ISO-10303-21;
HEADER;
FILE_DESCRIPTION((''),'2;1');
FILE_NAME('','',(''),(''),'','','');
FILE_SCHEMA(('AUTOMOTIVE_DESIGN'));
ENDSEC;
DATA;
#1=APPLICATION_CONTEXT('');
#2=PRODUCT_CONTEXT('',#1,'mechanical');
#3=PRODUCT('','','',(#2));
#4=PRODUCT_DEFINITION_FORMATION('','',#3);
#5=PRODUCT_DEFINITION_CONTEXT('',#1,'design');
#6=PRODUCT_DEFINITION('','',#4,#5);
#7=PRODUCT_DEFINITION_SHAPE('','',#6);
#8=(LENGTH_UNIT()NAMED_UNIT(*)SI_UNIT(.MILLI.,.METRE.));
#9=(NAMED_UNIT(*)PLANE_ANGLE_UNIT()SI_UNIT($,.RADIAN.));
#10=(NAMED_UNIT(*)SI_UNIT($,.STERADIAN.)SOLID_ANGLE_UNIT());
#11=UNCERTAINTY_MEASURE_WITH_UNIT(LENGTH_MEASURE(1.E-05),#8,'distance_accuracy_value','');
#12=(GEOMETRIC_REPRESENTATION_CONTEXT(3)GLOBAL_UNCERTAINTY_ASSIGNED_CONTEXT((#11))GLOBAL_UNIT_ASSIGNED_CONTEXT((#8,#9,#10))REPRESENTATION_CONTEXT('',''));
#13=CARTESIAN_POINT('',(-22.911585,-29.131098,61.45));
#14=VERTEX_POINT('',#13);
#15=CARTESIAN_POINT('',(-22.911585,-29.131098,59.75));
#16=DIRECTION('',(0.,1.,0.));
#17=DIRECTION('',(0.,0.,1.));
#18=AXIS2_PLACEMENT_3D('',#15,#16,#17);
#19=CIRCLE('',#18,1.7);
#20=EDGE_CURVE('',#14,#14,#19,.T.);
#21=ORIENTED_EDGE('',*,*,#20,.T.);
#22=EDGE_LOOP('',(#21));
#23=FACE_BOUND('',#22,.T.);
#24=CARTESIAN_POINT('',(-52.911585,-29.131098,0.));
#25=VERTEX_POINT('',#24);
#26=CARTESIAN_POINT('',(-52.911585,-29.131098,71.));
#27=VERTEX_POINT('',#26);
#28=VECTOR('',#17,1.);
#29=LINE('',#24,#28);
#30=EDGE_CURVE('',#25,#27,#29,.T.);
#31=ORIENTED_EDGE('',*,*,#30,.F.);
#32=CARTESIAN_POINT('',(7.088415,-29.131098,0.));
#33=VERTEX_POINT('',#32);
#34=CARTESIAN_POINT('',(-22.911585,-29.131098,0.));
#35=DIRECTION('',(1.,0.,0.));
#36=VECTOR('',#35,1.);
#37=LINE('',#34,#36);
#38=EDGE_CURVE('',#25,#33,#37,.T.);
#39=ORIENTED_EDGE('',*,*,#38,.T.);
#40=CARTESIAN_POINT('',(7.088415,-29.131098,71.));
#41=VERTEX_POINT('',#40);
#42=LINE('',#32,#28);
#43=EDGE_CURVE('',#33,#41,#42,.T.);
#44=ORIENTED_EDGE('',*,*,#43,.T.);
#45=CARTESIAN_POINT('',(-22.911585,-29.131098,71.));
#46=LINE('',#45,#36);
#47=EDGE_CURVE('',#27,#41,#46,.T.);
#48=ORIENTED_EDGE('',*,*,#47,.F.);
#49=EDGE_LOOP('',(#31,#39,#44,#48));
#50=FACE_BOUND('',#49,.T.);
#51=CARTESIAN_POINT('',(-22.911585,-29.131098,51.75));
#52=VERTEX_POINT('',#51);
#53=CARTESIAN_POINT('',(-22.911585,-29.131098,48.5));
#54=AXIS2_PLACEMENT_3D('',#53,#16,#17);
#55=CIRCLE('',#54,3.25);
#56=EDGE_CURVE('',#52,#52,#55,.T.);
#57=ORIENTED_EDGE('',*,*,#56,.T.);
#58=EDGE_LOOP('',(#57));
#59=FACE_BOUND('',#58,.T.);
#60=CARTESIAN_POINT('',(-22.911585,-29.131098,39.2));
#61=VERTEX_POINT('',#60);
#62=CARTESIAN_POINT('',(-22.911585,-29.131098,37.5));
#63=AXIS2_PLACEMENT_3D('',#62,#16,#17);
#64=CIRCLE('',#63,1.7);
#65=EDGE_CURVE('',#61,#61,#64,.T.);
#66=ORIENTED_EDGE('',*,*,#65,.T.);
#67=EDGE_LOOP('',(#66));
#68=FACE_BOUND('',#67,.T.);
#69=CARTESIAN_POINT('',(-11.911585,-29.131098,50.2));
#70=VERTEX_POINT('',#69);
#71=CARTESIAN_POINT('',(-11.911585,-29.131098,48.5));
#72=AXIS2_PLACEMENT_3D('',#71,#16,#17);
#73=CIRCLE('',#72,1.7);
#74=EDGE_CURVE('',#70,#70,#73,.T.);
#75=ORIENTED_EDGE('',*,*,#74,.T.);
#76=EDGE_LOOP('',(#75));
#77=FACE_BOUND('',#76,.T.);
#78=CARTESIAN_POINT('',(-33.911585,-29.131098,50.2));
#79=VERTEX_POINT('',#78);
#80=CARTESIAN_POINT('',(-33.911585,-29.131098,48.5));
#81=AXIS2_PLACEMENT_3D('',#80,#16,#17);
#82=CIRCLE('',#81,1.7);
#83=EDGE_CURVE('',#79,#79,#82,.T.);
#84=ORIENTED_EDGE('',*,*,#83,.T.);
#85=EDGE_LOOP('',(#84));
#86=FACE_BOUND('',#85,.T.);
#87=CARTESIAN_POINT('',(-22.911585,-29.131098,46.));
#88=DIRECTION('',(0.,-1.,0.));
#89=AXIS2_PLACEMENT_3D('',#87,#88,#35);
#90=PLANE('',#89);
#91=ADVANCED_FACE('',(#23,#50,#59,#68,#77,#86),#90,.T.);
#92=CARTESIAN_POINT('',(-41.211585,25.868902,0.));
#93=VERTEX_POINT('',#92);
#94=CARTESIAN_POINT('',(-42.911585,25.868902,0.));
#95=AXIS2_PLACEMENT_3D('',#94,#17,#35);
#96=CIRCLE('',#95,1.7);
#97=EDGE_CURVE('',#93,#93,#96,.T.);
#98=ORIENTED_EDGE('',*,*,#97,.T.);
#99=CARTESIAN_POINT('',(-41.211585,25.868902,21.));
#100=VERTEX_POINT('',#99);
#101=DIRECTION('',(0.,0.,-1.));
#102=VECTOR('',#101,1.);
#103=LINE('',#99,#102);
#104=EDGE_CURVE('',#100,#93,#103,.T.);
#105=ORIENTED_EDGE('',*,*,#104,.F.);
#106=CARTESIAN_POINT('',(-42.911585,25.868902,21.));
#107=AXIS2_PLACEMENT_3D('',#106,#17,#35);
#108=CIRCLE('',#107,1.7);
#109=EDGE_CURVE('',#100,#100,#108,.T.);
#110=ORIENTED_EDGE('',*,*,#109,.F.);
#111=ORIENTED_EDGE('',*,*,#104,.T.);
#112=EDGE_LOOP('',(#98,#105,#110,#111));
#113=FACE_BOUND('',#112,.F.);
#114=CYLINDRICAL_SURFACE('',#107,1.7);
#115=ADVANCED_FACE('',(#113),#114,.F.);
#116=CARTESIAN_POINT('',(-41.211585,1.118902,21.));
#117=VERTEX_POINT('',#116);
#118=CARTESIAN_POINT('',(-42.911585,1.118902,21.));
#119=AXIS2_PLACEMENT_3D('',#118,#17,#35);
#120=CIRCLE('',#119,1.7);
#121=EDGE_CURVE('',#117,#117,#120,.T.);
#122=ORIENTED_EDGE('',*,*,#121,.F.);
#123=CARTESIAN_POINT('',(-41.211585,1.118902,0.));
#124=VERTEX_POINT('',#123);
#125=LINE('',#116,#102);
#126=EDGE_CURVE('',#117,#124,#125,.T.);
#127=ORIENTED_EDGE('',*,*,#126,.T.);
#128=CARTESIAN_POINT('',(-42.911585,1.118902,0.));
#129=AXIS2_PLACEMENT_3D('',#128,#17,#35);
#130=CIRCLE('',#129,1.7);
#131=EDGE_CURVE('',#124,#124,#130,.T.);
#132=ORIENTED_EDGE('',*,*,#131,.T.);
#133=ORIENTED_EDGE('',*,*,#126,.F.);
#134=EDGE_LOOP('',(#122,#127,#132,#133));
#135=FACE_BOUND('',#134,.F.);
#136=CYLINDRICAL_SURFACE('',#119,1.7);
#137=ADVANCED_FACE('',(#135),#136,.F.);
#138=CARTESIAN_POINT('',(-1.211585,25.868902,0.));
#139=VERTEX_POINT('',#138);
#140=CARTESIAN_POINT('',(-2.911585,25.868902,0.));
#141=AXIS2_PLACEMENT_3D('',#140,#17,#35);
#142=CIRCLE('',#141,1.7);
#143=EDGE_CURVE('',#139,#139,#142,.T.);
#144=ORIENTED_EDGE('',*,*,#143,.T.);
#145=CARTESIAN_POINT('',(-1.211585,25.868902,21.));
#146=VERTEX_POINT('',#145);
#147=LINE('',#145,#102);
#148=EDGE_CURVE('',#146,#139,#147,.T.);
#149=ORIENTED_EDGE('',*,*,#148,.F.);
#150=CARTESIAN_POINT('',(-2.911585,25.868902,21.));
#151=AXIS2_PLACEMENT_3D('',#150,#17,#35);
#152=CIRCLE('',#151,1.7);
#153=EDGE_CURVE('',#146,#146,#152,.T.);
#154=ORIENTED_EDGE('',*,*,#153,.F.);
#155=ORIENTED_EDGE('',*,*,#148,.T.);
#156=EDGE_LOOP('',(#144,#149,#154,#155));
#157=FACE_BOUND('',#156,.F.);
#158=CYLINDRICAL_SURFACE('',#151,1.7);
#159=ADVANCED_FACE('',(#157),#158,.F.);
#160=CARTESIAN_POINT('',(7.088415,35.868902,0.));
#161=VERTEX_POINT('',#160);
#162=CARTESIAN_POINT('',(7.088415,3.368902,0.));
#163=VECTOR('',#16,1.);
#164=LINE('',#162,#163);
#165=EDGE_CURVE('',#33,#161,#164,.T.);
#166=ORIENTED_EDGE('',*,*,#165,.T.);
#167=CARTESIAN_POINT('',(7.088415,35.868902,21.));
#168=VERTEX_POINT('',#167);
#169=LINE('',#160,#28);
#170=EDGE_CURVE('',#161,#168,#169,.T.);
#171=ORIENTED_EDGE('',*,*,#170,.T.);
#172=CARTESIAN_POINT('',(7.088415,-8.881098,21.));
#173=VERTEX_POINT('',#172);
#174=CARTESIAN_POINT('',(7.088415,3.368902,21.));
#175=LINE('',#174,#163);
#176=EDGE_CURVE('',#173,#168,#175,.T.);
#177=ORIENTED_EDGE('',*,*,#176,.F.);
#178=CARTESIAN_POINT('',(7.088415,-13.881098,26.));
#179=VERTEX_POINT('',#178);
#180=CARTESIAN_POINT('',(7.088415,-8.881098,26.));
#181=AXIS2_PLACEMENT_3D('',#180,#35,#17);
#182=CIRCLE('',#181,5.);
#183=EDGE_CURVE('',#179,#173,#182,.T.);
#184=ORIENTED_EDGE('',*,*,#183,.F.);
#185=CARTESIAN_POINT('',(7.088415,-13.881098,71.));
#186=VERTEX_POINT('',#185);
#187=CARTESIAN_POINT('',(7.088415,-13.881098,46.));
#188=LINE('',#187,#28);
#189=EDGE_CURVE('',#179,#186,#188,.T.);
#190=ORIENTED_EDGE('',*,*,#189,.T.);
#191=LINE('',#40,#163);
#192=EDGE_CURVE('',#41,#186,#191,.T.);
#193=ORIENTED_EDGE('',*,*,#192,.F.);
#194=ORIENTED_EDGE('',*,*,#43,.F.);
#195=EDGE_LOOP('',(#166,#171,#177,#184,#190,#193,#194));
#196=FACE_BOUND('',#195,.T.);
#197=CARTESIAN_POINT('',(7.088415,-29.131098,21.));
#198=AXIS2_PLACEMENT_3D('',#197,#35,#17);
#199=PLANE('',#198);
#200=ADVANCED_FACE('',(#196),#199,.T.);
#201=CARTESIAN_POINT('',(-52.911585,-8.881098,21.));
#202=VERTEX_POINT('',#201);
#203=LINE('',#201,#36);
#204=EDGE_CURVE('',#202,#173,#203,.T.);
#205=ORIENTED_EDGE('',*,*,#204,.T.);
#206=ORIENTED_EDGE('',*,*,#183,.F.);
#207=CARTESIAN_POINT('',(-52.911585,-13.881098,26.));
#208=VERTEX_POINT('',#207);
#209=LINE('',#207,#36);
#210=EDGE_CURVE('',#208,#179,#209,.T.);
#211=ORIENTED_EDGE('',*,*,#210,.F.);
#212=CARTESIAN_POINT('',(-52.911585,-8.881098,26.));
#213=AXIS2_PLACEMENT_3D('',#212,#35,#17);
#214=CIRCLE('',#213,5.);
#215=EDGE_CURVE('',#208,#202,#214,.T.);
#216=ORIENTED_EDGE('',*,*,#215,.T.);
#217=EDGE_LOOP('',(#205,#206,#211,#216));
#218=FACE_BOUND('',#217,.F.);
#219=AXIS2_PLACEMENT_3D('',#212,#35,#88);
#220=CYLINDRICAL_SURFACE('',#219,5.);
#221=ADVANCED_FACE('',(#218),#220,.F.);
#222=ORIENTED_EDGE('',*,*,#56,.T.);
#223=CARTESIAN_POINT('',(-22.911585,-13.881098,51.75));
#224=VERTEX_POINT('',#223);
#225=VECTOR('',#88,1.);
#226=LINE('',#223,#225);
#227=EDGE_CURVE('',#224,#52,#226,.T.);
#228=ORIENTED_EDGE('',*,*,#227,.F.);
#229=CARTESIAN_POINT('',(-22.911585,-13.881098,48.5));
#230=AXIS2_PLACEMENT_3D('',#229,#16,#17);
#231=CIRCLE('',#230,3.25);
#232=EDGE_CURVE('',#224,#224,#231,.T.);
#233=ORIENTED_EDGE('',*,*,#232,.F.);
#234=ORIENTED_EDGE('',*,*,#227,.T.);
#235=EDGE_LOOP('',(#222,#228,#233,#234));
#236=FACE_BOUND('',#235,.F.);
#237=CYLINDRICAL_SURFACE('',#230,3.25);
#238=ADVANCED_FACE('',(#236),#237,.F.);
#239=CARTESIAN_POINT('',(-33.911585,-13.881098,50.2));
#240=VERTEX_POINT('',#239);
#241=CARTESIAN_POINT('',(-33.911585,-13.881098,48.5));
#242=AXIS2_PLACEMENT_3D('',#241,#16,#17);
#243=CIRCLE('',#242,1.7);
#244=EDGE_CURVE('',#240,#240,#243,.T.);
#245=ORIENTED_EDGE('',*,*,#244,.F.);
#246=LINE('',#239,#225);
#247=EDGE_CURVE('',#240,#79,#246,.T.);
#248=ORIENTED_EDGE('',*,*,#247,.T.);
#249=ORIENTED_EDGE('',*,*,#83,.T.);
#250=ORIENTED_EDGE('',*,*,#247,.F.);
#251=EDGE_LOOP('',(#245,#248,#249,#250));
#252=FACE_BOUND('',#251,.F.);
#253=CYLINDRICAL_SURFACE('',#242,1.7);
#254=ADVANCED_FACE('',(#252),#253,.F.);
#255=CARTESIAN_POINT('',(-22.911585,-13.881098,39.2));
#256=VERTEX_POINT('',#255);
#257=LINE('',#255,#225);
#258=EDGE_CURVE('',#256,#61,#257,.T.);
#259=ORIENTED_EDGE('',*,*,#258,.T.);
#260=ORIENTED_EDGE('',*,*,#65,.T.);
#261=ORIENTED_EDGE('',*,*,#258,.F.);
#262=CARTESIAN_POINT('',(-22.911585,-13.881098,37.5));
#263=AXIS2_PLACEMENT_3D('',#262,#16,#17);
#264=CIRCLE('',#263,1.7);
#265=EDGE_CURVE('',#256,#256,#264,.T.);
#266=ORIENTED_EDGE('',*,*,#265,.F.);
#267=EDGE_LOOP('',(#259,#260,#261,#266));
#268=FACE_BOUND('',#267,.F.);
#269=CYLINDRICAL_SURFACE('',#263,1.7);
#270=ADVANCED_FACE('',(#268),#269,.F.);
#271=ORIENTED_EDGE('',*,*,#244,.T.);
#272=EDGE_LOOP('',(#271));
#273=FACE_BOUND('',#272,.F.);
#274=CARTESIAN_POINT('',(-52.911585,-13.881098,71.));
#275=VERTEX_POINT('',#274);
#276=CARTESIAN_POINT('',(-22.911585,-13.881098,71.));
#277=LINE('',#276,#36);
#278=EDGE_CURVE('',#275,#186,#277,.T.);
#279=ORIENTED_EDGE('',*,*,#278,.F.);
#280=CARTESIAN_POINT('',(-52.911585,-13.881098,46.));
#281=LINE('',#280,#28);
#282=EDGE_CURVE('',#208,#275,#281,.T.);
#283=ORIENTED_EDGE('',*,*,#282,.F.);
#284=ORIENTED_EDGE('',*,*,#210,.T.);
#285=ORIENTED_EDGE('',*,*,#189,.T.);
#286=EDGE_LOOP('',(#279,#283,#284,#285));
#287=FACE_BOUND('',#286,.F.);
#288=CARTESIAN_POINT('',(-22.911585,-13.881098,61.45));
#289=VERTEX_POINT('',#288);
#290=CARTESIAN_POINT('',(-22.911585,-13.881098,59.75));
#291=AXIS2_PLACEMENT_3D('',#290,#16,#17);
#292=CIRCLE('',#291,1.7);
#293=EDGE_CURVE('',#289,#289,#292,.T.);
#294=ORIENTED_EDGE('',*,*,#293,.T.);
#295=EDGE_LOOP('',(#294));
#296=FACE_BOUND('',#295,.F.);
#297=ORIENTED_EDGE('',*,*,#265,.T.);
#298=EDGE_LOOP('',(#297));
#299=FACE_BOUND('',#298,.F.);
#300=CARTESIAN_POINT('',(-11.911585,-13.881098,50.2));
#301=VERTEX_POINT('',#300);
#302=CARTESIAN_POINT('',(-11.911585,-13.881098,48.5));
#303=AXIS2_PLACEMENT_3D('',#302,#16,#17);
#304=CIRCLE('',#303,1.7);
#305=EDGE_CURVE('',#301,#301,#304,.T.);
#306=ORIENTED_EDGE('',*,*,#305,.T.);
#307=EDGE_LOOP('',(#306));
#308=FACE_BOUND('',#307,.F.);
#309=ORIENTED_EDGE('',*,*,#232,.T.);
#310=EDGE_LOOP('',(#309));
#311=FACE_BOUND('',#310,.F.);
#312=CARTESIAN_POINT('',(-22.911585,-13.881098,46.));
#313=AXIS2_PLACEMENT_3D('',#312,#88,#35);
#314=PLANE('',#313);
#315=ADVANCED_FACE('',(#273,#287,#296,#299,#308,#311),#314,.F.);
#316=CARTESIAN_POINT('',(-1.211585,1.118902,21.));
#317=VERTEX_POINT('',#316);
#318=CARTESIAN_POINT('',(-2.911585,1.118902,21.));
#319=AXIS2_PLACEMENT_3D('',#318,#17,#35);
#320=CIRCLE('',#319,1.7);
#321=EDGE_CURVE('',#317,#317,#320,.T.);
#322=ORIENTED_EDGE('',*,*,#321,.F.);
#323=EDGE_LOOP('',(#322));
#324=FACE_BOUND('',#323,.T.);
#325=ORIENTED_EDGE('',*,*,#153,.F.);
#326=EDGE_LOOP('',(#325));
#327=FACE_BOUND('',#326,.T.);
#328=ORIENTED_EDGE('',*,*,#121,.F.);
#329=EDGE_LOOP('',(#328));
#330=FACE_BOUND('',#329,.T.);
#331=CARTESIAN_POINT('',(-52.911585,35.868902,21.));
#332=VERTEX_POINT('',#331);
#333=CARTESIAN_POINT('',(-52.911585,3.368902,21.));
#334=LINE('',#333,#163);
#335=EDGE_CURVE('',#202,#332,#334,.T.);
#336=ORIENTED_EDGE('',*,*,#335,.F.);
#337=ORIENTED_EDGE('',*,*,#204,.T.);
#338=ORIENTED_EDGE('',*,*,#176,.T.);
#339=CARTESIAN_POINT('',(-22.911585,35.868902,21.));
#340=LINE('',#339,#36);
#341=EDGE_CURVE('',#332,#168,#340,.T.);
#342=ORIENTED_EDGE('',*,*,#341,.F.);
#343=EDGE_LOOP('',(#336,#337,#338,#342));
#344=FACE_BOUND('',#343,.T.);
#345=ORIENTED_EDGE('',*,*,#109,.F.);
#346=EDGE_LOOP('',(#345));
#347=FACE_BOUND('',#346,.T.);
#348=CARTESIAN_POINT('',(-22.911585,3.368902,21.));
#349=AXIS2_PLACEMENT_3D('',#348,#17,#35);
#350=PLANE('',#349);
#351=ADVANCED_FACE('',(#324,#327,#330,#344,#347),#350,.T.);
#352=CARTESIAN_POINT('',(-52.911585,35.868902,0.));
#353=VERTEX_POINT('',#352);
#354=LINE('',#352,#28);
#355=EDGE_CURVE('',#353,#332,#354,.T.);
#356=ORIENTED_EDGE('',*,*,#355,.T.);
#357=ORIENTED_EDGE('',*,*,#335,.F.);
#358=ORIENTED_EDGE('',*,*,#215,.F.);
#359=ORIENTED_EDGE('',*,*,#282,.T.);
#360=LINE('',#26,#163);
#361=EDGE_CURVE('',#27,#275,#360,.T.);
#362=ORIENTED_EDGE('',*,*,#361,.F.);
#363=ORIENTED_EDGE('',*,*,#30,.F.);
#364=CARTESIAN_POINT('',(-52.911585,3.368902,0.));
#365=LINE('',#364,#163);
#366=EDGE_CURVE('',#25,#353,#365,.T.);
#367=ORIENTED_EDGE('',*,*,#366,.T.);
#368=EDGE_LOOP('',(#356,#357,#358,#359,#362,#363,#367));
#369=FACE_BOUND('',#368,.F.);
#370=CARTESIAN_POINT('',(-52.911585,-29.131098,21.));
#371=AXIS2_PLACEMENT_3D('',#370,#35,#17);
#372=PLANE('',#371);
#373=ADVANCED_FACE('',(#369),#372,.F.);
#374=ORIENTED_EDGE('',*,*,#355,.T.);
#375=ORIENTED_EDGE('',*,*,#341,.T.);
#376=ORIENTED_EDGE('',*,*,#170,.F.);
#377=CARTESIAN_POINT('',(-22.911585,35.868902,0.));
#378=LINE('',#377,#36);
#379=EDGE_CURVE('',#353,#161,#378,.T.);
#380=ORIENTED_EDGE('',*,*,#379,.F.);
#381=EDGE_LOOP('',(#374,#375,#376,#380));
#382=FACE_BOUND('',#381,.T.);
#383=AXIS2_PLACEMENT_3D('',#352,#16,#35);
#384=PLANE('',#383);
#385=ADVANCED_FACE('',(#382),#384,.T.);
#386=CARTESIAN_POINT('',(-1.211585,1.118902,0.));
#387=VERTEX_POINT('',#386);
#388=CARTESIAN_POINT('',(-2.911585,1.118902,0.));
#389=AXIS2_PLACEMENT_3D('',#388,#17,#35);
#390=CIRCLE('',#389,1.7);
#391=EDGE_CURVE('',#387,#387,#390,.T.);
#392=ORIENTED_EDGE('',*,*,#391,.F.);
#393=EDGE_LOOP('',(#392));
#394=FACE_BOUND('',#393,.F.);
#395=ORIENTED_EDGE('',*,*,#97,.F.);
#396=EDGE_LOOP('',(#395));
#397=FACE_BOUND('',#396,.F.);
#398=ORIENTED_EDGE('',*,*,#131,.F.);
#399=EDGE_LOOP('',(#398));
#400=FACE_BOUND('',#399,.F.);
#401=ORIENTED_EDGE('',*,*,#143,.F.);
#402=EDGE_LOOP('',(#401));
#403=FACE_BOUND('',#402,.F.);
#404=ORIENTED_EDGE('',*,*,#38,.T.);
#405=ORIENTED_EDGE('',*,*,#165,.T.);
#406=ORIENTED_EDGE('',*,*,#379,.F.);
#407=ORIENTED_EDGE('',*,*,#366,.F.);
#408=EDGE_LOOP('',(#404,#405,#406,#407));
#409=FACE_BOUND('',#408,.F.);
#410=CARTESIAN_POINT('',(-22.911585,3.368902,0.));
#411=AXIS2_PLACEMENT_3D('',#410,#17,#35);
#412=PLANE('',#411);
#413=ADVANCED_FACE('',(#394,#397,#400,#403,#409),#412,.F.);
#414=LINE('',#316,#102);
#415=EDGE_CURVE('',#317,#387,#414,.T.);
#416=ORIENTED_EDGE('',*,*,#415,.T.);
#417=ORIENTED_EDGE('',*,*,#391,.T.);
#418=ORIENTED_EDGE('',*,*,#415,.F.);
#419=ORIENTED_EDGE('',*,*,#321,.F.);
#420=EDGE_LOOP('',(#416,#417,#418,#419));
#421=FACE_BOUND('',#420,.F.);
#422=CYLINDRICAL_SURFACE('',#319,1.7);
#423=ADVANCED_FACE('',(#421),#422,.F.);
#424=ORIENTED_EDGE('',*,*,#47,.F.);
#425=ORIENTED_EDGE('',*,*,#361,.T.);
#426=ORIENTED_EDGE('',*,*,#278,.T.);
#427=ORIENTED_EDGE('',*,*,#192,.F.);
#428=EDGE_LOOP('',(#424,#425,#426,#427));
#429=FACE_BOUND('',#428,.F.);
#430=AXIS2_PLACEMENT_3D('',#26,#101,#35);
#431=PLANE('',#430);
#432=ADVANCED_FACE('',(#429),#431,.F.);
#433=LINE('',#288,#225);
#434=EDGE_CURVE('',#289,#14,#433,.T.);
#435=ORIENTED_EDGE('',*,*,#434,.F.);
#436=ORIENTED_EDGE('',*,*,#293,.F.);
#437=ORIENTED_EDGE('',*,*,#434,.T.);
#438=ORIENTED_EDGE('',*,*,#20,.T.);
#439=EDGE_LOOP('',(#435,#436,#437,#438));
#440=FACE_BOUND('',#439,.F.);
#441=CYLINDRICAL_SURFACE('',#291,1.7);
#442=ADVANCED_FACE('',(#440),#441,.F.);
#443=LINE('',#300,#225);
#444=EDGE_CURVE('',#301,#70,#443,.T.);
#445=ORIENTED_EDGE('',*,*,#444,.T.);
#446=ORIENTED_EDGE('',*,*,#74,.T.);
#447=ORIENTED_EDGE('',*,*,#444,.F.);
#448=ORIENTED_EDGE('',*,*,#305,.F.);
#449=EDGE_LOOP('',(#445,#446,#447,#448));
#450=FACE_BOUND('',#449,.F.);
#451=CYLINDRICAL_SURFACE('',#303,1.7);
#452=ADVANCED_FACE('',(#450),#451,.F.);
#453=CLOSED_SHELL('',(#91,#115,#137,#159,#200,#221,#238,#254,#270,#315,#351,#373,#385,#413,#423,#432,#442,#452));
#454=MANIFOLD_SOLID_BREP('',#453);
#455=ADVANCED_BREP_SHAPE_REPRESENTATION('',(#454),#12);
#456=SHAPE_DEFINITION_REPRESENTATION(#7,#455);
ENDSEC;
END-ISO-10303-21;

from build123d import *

# Parameters (mm, degrees)
SKETCH1_W           = 60
SKETCH1_H           = 65
BOSS_EXTRUDE1_DEPTH = 21
SKETCH2_W           = 60
SKETCH2_H           = 50
BOSS_EXTRUDE2_DEPTH = 15.25
FILLET1_R           = 5
SKETCH3_R           = 3.25
SKETCH3_R_2         = 1.7
CUT_EXTRUDE4_DEPTH  = 15.25
SKETCH10_R          = 1.7
CUT_EXTRUDE5_DEPTH  = 21


with BuildPart() as part:
    # Sketch1 → Boss-Extrude1 (new body)
    with BuildSketch(Plane.XY):
        with Locations((-22.911585366, 3.368902439)):
            Rectangle(SKETCH1_W, SKETCH1_H)
    extrude(amount=BOSS_EXTRUDE1_DEPTH)

    # Sketch2 → Boss-Extrude2 (add)
    with BuildSketch(Plane.XZ.offset(29.131097561)):
        with Locations((-22.911585366, 46)):
            Rectangle(SKETCH2_W, SKETCH2_H)
    extrude(amount=-BOSS_EXTRUDE2_DEPTH)

    # Fillet1
    fillet1_edges = [part.edges().sort_by_distance(p)[0] for p in [
        (-22.911585366, -13.881097561, 21),
    ]]
    fillet(fillet1_edges, radius=FILLET1_R)

    # Sketch3 → Cut-Extrude4 (cut)
    with BuildSketch(Plane(origin=(0, -13.881097561, 0), x_dir=(1, 0, 0), z_dir=(0, 1, 0))):
        with Locations(Location((-22.911585366, -48.5, 0), (0, 0, 270))):
            Circle(SKETCH3_R)
        with Locations(Location((-11.911585366, -48.5, 0), (0, 0, 270))):
            Circle(SKETCH3_R_2)
        with Locations(Location((-22.911585366, -59.75, 0), (0, 0, 270))):
            Circle(SKETCH3_R_2)
        with Locations(Location((-33.911585366, -48.5, 0), (0, 0, 270))):
            Circle(SKETCH3_R_2)
        with Locations(Location((-22.911585366, -37.5, 0), (0, 0, 270))):
            Circle(SKETCH3_R_2)
    extrude(amount=-CUT_EXTRUDE4_DEPTH, mode=Mode.SUBTRACT)

    # Sketch10 → Cut-Extrude5 (cut)
    with BuildSketch(Plane.XY.offset(21)):
        with Locations((-2.911585366, 25.868902439)):
            Circle(SKETCH10_R)
        with Locations((-2.911585366, 1.118902439)):
            Circle(SKETCH10_R)
        with Locations((-42.911585366, 25.868902439)):
            Circle(SKETCH10_R)
        with Locations((-42.911585366, 1.118902439)):
            Circle(SKETCH10_R)
    extrude(amount=-CUT_EXTRUDE5_DEPTH, mode=Mode.SUBTRACT)


solid = part.part
